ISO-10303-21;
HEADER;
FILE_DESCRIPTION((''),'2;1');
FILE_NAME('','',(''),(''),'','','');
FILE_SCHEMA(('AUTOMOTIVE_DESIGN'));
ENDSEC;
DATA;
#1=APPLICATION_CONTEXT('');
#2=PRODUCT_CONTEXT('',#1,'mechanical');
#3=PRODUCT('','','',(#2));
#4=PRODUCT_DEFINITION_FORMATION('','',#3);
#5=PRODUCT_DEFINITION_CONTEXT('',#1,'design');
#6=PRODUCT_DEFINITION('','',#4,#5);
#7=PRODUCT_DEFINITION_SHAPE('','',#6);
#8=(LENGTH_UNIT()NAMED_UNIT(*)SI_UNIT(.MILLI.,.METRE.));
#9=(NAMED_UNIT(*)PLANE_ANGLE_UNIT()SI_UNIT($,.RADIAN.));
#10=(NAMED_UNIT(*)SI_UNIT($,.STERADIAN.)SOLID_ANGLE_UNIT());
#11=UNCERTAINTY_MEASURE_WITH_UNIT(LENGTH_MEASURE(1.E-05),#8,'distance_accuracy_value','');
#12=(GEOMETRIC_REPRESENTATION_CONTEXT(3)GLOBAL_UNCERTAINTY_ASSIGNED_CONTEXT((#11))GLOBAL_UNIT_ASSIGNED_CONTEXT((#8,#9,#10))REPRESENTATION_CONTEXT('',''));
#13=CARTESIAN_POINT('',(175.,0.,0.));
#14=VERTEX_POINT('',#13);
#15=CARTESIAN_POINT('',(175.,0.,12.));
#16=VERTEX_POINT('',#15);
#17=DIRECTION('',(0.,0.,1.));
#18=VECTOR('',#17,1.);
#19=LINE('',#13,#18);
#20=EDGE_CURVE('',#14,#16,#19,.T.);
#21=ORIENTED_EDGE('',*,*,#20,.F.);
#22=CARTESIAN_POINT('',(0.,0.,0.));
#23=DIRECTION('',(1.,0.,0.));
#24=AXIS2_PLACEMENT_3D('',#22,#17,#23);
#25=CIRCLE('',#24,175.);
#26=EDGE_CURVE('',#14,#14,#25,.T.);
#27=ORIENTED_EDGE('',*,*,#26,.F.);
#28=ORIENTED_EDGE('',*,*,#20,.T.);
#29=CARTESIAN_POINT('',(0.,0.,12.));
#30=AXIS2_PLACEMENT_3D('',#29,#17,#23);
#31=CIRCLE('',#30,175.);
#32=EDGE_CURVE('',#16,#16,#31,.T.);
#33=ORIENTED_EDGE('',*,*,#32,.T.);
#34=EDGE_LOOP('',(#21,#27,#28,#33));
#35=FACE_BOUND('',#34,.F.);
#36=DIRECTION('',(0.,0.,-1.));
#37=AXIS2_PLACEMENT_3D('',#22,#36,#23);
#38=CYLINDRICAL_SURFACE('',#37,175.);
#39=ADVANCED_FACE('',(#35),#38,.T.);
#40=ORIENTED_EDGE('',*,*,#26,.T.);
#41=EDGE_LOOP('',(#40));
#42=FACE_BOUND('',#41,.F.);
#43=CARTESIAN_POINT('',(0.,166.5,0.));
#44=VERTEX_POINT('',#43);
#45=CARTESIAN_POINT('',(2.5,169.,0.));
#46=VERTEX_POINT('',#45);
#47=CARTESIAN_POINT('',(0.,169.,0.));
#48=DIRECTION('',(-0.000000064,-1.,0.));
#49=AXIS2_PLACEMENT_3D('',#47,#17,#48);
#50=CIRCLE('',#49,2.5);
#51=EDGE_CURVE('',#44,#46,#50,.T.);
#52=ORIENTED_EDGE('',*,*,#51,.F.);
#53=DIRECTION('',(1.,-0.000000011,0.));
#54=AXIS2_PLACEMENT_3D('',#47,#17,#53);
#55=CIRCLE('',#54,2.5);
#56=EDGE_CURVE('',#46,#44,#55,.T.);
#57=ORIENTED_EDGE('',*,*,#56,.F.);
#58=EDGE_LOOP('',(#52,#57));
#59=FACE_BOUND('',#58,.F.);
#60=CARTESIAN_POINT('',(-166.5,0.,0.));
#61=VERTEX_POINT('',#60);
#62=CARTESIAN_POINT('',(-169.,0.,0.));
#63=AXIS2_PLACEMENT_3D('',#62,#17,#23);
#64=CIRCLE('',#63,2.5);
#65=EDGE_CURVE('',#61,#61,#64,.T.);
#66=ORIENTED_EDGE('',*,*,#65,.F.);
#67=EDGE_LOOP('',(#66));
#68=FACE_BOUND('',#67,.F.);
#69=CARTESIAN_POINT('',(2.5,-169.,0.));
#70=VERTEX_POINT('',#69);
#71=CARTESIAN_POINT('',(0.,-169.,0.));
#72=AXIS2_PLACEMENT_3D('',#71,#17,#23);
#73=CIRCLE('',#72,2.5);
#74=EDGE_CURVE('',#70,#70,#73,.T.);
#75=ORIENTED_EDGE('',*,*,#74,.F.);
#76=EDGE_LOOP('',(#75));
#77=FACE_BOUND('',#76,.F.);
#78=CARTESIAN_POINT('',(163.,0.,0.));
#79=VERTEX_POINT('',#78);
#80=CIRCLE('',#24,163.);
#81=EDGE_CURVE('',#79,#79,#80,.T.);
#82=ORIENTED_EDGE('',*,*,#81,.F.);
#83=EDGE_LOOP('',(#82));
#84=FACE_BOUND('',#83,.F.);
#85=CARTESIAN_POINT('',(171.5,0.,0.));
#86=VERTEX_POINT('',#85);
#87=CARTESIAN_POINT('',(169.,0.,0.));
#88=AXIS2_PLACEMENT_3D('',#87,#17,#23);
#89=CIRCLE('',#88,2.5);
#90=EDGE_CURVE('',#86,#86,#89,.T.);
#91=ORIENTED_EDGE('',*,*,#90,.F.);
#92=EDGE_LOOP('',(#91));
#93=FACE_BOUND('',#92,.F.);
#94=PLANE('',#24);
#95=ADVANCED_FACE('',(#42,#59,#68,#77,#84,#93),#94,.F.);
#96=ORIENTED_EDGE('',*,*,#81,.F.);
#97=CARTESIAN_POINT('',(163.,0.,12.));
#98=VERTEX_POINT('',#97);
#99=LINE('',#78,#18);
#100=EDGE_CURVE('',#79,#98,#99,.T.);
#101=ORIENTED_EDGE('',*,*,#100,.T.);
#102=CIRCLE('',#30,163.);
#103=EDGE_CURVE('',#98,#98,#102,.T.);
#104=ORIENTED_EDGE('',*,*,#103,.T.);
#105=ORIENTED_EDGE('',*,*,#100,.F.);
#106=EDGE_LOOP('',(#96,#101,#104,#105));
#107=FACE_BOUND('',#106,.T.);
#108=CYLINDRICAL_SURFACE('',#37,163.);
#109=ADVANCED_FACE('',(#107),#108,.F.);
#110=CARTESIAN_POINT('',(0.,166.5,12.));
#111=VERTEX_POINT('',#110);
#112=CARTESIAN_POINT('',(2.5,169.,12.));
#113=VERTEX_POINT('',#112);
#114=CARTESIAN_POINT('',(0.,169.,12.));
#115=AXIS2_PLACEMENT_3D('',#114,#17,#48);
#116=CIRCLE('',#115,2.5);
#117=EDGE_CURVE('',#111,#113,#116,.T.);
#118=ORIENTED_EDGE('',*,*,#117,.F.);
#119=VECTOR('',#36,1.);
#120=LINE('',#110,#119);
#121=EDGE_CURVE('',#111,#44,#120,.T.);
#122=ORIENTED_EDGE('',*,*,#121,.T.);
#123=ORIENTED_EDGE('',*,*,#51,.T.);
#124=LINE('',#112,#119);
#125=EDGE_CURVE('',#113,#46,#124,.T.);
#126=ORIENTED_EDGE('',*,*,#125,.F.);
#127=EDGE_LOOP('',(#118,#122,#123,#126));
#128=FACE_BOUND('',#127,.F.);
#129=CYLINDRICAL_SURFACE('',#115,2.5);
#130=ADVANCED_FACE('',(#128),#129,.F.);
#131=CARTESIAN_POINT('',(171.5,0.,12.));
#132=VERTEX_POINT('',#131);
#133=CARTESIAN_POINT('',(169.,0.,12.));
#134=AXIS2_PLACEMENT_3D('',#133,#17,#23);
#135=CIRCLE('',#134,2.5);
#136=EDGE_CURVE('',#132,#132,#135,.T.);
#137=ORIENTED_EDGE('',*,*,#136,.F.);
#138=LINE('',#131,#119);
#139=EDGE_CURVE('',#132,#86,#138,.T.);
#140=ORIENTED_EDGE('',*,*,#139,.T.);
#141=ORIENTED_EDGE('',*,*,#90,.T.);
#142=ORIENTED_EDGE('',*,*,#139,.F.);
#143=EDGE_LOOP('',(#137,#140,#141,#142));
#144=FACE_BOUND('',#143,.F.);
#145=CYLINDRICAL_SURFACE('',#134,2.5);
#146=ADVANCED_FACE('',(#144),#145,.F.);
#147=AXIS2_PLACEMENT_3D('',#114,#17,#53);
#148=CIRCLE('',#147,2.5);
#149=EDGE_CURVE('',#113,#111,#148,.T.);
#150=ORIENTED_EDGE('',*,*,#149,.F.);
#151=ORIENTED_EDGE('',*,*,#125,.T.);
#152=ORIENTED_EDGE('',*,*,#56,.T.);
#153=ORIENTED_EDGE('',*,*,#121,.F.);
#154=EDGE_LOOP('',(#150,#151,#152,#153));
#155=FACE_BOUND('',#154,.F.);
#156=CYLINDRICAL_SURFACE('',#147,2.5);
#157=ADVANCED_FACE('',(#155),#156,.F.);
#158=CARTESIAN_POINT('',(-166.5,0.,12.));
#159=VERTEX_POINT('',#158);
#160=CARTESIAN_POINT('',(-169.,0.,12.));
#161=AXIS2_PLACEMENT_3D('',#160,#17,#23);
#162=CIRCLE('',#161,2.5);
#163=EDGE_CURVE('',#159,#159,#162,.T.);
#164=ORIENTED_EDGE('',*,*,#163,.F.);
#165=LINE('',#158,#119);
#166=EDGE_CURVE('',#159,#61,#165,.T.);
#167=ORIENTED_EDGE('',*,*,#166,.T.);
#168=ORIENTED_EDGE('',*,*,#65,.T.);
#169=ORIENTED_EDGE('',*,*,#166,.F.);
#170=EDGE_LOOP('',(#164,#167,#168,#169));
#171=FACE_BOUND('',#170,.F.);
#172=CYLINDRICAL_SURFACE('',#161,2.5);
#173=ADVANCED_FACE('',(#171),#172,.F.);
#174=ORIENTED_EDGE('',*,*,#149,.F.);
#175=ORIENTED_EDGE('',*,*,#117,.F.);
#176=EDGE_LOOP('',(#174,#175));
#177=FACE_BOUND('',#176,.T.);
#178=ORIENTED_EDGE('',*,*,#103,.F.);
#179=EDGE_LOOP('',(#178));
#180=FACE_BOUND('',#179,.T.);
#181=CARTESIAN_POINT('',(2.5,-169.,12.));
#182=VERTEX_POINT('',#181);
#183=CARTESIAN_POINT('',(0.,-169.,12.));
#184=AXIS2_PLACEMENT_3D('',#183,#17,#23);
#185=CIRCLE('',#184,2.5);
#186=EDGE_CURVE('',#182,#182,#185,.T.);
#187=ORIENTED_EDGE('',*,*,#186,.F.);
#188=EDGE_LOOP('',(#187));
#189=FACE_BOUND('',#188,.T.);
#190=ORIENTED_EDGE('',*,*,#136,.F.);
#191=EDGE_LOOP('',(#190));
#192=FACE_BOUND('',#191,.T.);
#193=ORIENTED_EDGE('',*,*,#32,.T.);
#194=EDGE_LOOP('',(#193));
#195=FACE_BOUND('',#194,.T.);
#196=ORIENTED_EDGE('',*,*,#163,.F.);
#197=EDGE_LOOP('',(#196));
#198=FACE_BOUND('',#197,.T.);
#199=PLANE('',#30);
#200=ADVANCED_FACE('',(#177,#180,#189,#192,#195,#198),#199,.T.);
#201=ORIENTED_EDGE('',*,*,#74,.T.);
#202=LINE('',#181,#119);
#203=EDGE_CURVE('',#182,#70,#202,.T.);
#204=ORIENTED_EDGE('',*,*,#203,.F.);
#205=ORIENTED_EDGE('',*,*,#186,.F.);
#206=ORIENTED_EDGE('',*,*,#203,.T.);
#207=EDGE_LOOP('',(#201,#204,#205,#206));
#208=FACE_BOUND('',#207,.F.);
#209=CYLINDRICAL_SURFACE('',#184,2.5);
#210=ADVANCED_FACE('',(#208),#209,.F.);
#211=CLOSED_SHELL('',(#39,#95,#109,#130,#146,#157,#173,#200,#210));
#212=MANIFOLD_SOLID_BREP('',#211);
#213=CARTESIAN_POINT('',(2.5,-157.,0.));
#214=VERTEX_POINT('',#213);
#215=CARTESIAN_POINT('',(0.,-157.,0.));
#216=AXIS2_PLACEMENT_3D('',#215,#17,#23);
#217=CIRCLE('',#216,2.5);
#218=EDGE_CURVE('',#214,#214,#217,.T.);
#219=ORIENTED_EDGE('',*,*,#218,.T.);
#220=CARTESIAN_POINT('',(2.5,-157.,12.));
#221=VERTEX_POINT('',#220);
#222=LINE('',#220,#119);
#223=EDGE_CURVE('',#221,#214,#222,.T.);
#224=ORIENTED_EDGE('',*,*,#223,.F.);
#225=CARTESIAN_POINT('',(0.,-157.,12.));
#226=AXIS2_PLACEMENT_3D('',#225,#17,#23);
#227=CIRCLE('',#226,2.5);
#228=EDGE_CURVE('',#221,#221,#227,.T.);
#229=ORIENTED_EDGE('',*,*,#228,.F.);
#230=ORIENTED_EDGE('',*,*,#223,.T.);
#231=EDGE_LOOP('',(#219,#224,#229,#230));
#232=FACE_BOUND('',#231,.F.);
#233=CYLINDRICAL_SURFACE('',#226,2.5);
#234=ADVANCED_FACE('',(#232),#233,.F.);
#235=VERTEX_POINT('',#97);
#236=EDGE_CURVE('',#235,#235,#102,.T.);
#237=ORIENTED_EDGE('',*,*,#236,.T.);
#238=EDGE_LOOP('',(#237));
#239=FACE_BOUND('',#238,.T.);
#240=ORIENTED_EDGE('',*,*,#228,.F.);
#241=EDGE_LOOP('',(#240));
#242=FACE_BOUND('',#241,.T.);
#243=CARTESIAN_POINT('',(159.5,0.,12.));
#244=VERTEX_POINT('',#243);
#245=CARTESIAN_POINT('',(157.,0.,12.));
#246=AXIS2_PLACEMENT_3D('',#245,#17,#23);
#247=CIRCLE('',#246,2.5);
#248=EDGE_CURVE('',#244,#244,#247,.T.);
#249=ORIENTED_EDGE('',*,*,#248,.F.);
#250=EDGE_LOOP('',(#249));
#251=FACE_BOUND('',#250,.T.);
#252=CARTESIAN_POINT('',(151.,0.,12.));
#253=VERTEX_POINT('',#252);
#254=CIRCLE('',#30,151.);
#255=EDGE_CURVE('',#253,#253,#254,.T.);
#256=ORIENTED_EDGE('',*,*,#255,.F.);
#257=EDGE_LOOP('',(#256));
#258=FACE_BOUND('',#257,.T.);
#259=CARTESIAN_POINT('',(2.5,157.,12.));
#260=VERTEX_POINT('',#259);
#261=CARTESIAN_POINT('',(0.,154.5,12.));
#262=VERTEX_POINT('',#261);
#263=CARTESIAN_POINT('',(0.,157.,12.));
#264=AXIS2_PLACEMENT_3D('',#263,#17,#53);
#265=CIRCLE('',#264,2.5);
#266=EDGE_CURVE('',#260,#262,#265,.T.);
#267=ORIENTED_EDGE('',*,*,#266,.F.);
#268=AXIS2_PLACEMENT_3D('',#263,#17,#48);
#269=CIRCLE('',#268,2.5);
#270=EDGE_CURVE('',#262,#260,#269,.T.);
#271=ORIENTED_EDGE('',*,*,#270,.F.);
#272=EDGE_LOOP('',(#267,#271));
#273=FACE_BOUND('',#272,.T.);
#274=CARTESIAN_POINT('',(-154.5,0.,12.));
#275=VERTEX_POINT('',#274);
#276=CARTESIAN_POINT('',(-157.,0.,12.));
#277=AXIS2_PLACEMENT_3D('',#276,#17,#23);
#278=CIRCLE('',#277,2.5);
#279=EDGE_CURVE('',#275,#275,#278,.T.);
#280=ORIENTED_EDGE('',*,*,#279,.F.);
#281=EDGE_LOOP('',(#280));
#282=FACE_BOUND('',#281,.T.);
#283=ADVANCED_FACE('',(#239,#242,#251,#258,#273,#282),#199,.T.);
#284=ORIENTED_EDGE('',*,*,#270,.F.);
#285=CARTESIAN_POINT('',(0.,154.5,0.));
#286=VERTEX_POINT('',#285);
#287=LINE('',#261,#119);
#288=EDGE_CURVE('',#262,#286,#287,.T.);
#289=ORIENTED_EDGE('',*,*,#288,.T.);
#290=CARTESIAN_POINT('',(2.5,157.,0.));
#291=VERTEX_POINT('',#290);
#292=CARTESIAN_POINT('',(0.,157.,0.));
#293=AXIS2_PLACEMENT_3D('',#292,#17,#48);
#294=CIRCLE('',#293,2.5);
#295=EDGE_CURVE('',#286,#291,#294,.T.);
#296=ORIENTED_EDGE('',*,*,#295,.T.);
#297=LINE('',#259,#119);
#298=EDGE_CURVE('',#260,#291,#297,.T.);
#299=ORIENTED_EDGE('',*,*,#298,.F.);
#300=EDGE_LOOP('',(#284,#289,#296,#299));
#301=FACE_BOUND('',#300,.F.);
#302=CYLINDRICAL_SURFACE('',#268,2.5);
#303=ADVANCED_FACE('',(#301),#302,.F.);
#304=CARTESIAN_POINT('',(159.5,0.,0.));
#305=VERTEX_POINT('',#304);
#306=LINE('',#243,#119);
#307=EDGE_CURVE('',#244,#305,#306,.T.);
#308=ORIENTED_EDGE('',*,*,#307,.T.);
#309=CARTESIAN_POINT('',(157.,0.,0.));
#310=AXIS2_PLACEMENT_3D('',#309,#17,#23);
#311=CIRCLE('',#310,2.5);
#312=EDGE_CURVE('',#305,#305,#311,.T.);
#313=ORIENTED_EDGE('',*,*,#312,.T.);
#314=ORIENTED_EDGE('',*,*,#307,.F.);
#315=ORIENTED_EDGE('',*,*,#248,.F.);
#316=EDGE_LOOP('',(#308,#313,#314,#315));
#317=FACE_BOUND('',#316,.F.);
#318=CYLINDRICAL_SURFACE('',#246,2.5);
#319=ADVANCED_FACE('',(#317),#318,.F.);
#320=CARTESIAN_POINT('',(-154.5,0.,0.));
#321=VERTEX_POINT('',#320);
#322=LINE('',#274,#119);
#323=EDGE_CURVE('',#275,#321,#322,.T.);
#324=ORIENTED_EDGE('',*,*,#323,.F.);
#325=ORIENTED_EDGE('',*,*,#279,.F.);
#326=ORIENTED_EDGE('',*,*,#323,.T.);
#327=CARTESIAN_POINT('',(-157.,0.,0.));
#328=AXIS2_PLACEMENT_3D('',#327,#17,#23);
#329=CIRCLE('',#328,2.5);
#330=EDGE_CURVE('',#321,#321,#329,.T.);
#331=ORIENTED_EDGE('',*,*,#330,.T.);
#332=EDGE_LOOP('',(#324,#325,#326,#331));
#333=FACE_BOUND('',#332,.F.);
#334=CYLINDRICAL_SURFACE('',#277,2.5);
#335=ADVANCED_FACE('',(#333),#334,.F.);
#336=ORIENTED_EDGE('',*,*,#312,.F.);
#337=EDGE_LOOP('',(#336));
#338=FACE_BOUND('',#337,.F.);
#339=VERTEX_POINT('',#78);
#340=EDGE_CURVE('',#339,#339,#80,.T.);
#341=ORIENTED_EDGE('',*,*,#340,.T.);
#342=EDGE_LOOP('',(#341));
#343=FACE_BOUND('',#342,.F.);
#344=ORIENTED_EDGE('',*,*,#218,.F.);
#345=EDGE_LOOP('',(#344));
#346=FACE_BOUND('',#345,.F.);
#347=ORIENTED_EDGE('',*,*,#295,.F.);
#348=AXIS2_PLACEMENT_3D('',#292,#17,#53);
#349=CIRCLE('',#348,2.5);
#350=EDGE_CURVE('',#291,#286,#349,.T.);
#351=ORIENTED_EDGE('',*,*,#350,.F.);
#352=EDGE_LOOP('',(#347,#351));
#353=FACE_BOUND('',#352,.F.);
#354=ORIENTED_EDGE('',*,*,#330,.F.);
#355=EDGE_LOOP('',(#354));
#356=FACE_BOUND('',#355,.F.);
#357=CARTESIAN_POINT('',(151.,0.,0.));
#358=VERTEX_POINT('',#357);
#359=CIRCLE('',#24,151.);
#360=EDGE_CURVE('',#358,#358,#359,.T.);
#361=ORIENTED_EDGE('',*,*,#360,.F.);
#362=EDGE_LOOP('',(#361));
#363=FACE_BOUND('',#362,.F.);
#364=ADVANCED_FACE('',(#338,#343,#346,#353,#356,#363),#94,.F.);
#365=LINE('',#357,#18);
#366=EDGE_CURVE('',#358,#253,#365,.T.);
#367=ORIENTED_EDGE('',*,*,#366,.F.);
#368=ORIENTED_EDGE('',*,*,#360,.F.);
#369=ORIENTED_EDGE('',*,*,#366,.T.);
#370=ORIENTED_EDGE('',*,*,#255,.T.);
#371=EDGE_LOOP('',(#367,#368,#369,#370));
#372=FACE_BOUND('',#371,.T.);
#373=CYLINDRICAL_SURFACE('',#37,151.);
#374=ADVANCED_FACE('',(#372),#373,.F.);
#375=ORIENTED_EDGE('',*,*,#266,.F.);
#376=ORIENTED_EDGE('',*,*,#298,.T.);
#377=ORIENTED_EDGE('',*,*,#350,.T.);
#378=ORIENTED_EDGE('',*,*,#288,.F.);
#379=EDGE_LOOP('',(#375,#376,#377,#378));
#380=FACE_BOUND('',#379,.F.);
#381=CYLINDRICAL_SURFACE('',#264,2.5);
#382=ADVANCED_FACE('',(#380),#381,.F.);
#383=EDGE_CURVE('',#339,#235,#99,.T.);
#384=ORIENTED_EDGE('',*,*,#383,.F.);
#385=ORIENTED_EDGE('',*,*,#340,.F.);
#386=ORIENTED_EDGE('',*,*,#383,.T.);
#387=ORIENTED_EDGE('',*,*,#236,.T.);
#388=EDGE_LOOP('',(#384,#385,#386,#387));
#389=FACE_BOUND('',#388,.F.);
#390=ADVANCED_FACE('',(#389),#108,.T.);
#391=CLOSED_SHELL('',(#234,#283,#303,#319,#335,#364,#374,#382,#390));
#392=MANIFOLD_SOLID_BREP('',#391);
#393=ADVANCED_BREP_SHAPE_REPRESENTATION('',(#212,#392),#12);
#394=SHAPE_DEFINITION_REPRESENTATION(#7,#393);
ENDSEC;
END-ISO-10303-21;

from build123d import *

# Parameters (mm, degrees)
F0_R     = 175
F0_R_2   = 163
F1_DEPTH = 12
F2_R     = 163
F2_R_2   = 151
F3_DEPTH = 12
F4_R     = 2.5
F5_DEPTH = 12
F6_R     = 2.5
F7_DEPTH = 12


with BuildPart() as f1:
    # F0 (on Top) → F1 (new body)
    with BuildSketch(Plane.XY):
        Circle(F0_R)
        Circle(F0_R_2, mode=Mode.SUBTRACT)
    extrude(amount=F1_DEPTH)

    # F6 (on face) → F7 (cut)
    with BuildSketch(Plane.XY.offset(12)):
        with BuildLine():
            ThreePointArc((0, 166.5), (1.767767, 167.232233), (2.5, 169))
            ThreePointArc((2.5, 169), (-1.767767, 170.767767), (0, 166.5))
        make_face()
        with Locations((-169, 0)):
            Circle(F6_R)
        with Locations((0, -169)):
            Circle(F6_R)
        with Locations((169, 0)):
            Circle(F6_R)
    extrude(amount=-F7_DEPTH, mode=Mode.SUBTRACT)


with BuildPart() as f3:
    # F2 (on Top) → F3 (new body)
    with BuildSketch(Plane.XY):
        Circle(F2_R)
        Circle(F2_R_2, mode=Mode.SUBTRACT)
    extrude(amount=F3_DEPTH)

    # F4 (on face) → F5 (cut)
    with BuildSketch(Plane.XY.offset(12)):
        with BuildLine():
            ThreePointArc((0, 154.5), (1.767767, 155.232233), (2.5, 157))
            ThreePointArc((2.5, 157), (-1.767767, 158.767767), (0, 154.5))
        make_face()
        with Locations((-157, 0)):
            Circle(F4_R)
        with Locations((0, -157)):
            Circle(F4_R)
        with Locations((157, 0)):
            Circle(F4_R)
    extrude(amount=-F5_DEPTH, mode=Mode.SUBTRACT)


solid = Compound([f1.part, f3.part])
